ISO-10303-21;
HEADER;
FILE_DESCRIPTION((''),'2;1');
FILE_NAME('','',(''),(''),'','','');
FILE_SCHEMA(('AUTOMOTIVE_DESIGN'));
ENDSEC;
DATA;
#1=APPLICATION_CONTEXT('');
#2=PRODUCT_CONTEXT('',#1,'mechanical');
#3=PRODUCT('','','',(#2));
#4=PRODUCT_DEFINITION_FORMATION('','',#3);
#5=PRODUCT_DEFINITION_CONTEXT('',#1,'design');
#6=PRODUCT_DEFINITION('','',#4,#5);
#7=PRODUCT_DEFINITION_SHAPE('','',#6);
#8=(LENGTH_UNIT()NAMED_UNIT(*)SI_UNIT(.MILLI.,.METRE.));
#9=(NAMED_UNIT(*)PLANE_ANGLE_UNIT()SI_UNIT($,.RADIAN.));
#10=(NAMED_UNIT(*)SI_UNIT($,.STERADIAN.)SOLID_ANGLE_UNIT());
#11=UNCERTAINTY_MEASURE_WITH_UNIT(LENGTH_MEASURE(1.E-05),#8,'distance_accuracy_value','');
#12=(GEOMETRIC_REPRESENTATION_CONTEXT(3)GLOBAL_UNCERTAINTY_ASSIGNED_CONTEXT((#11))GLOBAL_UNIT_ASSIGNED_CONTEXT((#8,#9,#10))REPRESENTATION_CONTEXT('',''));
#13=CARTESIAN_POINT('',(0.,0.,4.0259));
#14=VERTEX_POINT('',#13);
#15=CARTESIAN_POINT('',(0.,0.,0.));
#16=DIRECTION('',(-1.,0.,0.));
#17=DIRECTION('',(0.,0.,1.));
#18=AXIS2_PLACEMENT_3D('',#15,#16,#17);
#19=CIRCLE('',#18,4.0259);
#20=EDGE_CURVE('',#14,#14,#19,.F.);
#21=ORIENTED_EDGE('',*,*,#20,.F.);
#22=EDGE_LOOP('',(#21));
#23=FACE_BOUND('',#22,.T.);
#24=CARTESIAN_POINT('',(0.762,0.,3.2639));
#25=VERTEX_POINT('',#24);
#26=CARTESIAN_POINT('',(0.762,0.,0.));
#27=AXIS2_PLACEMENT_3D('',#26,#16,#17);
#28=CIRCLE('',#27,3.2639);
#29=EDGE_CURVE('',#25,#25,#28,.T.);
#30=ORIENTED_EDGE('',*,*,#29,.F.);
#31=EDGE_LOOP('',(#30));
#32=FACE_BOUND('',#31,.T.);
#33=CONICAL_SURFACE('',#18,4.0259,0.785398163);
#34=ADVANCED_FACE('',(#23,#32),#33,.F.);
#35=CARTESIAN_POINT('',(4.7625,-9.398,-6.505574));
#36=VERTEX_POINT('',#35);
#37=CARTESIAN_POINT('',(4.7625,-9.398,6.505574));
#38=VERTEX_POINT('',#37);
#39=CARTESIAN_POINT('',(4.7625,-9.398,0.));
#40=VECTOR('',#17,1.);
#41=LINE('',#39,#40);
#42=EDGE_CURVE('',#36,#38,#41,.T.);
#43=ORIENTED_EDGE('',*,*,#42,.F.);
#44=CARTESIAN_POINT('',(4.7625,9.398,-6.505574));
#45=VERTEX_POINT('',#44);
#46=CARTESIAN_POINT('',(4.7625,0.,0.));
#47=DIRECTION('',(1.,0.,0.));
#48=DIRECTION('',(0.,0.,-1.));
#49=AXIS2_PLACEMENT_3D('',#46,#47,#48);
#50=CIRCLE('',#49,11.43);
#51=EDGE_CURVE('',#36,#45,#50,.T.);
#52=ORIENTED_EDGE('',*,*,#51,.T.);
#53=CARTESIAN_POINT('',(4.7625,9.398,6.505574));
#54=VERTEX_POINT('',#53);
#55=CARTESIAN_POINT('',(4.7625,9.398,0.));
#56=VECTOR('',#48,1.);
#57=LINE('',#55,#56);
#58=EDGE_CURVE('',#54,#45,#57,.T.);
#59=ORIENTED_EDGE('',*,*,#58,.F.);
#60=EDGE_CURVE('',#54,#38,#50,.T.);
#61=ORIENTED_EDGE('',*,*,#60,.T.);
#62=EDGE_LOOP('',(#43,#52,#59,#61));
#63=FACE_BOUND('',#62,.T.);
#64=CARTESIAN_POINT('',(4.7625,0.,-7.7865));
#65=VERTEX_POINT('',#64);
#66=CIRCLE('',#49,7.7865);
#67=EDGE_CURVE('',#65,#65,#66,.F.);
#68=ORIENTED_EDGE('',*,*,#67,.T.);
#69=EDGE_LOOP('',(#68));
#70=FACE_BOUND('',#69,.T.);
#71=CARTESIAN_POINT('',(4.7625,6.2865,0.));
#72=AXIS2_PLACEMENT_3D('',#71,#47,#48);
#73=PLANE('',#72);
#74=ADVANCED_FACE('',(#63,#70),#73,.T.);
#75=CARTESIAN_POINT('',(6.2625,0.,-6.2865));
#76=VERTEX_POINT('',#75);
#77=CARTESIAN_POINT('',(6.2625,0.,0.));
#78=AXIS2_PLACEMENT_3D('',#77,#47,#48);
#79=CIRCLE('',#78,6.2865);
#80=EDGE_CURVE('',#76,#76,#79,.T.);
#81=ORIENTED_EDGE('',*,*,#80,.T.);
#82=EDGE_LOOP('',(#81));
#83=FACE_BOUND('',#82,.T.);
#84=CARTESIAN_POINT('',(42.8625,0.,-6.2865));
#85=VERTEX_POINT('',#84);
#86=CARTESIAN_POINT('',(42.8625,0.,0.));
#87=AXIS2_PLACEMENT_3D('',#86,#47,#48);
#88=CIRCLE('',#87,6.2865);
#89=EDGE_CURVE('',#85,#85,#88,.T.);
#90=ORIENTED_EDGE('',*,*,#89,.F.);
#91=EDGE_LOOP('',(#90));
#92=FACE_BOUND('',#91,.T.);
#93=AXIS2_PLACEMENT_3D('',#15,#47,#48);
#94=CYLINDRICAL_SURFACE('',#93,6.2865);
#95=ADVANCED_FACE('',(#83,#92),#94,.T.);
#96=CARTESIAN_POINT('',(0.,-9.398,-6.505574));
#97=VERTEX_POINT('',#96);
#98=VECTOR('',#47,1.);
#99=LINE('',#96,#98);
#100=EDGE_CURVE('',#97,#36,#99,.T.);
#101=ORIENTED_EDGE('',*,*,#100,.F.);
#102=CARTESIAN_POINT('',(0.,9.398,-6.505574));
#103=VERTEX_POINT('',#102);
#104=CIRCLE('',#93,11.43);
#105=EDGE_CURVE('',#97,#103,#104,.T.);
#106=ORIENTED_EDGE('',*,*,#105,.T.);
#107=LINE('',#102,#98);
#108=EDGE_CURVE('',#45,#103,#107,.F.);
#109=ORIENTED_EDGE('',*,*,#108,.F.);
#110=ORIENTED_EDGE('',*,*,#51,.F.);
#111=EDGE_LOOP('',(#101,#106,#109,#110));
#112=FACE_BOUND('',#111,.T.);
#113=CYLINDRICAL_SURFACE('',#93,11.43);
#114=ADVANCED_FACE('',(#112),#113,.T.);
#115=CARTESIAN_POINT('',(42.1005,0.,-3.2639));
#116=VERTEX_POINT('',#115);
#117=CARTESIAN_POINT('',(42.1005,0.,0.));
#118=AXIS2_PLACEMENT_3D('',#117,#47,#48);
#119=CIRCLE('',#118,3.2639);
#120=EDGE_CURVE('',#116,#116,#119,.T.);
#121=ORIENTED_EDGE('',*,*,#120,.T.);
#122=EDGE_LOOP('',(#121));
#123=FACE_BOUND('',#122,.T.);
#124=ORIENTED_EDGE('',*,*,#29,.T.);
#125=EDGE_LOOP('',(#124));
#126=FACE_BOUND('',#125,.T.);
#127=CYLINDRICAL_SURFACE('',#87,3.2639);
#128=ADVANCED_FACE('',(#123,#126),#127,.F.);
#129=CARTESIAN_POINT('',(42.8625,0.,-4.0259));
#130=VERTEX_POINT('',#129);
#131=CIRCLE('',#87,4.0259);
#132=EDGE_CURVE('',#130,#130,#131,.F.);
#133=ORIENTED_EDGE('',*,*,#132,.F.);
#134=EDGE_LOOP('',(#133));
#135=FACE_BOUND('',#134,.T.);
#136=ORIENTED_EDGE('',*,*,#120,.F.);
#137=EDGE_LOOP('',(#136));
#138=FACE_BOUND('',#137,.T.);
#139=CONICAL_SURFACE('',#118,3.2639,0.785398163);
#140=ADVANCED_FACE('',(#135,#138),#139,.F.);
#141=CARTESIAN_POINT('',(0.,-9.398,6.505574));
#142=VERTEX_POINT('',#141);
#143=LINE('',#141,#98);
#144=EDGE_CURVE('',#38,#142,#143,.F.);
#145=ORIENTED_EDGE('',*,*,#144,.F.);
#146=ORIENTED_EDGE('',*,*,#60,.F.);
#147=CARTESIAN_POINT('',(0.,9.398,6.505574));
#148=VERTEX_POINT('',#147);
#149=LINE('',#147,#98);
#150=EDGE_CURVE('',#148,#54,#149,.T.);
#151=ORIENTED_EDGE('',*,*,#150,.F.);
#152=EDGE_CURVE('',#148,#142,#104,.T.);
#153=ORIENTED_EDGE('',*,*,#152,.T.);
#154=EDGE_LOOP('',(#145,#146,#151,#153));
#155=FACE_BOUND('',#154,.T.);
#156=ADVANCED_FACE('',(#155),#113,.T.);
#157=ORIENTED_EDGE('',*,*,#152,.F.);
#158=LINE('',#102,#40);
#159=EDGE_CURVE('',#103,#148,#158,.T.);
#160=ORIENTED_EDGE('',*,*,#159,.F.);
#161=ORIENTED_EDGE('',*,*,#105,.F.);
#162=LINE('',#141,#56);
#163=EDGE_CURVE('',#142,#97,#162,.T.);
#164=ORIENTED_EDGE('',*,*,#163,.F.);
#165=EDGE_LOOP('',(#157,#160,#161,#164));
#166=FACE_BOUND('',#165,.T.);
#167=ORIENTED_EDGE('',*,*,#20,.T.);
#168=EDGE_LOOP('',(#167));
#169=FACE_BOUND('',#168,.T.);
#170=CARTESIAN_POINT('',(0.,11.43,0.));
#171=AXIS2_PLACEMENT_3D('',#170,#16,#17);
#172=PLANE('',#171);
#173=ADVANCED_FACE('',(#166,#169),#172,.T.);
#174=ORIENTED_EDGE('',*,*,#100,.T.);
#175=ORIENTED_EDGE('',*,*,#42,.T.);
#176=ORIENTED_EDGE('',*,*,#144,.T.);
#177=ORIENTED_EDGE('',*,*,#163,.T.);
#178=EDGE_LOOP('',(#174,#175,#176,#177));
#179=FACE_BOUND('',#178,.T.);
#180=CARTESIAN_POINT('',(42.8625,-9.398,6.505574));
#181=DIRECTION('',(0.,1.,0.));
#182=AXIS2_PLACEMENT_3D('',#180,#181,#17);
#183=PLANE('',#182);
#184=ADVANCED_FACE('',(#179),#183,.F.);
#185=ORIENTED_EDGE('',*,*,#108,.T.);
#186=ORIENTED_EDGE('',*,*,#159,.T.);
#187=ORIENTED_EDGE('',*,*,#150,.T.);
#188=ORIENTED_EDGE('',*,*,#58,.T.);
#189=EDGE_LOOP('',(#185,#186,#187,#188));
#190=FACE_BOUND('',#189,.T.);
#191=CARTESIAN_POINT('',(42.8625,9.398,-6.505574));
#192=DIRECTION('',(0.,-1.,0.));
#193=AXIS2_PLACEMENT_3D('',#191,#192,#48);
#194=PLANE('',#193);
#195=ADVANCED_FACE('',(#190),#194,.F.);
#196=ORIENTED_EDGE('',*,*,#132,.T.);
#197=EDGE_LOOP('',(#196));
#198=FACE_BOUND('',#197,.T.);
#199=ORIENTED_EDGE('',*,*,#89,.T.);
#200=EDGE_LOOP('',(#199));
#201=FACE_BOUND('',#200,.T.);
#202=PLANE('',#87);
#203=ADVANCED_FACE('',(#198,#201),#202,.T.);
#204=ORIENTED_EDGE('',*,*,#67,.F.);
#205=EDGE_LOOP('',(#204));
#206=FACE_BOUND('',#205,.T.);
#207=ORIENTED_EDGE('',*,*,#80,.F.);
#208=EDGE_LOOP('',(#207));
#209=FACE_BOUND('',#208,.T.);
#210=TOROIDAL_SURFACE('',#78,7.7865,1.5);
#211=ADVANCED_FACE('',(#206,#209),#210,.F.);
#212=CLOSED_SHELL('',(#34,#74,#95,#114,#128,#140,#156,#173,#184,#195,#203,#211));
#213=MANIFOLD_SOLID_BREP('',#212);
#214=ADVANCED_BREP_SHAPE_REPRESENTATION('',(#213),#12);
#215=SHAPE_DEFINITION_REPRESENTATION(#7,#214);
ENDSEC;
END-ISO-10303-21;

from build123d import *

# Parameters (mm, degrees)
FILLET1_R             = 1.5
HOLE_WIZARD_5_16_18_D = 6.5278
CUT_EXTRUDE1_DEPTH    = 43.8625
CHAMFER1_SIZE         = 0.762


with BuildPart() as part:
    # Sketch1 → Revolve1 (revolve)
    with BuildSketch(Plane.XY):
        Polygon((0, 0), (42.8625, 0), (42.8625, 6.2865), (4.7625, 6.2865), (4.7625, 11.43), (0, 11.43), align=None)
    revolve(axis=Axis((0, 0, 0), (-1, 0, 0)))

    # Fillet1
    fillet1_edges = [part.edges().sort_by_distance(p)[0] for p in [
        (4.7625, -6.2865, 0),
    ]]
    fillet(fillet1_edges, radius=FILLET1_R)

    # 5/16-18 (through all)
    with Locations(Plane(origin=(42.8625, 0, 0), x_dir=(0, 0, -1), z_dir=(1, 0, 0))):
        with Locations((0, 0)):
            Hole(HOLE_WIZARD_5_16_18_D / 2)

    # Sketch4 → Cut-Extrude1 (cut, through all)
    with BuildSketch(Plane.ZY):
        with BuildLine():
            Line((-6.505574225, 9.398), (6.505574225, 9.398))
            ThreePointArc((6.505574225, 9.398), (0, 11.43), (-6.505574225, 9.398))
        make_face()
        with BuildLine():
            Line((6.505574225, -9.398), (-6.505574225, -9.398))
            ThreePointArc((-6.505574225, -9.398), (0, -11.43), (6.505574225, -9.398))
        make_face()
    extrude(amount=-CUT_EXTRUDE1_DEPTH, mode=Mode.SUBTRACT)

    # Chamfer1
    chamfer1_edges = [part.edges().sort_by_distance(p)[0] for p in [
        (42.8625, 0, -3.2639),
        (0, 0, -3.2639),
    ]]
    chamfer(chamfer1_edges, length=CHAMFER1_SIZE)


solid = part.part
